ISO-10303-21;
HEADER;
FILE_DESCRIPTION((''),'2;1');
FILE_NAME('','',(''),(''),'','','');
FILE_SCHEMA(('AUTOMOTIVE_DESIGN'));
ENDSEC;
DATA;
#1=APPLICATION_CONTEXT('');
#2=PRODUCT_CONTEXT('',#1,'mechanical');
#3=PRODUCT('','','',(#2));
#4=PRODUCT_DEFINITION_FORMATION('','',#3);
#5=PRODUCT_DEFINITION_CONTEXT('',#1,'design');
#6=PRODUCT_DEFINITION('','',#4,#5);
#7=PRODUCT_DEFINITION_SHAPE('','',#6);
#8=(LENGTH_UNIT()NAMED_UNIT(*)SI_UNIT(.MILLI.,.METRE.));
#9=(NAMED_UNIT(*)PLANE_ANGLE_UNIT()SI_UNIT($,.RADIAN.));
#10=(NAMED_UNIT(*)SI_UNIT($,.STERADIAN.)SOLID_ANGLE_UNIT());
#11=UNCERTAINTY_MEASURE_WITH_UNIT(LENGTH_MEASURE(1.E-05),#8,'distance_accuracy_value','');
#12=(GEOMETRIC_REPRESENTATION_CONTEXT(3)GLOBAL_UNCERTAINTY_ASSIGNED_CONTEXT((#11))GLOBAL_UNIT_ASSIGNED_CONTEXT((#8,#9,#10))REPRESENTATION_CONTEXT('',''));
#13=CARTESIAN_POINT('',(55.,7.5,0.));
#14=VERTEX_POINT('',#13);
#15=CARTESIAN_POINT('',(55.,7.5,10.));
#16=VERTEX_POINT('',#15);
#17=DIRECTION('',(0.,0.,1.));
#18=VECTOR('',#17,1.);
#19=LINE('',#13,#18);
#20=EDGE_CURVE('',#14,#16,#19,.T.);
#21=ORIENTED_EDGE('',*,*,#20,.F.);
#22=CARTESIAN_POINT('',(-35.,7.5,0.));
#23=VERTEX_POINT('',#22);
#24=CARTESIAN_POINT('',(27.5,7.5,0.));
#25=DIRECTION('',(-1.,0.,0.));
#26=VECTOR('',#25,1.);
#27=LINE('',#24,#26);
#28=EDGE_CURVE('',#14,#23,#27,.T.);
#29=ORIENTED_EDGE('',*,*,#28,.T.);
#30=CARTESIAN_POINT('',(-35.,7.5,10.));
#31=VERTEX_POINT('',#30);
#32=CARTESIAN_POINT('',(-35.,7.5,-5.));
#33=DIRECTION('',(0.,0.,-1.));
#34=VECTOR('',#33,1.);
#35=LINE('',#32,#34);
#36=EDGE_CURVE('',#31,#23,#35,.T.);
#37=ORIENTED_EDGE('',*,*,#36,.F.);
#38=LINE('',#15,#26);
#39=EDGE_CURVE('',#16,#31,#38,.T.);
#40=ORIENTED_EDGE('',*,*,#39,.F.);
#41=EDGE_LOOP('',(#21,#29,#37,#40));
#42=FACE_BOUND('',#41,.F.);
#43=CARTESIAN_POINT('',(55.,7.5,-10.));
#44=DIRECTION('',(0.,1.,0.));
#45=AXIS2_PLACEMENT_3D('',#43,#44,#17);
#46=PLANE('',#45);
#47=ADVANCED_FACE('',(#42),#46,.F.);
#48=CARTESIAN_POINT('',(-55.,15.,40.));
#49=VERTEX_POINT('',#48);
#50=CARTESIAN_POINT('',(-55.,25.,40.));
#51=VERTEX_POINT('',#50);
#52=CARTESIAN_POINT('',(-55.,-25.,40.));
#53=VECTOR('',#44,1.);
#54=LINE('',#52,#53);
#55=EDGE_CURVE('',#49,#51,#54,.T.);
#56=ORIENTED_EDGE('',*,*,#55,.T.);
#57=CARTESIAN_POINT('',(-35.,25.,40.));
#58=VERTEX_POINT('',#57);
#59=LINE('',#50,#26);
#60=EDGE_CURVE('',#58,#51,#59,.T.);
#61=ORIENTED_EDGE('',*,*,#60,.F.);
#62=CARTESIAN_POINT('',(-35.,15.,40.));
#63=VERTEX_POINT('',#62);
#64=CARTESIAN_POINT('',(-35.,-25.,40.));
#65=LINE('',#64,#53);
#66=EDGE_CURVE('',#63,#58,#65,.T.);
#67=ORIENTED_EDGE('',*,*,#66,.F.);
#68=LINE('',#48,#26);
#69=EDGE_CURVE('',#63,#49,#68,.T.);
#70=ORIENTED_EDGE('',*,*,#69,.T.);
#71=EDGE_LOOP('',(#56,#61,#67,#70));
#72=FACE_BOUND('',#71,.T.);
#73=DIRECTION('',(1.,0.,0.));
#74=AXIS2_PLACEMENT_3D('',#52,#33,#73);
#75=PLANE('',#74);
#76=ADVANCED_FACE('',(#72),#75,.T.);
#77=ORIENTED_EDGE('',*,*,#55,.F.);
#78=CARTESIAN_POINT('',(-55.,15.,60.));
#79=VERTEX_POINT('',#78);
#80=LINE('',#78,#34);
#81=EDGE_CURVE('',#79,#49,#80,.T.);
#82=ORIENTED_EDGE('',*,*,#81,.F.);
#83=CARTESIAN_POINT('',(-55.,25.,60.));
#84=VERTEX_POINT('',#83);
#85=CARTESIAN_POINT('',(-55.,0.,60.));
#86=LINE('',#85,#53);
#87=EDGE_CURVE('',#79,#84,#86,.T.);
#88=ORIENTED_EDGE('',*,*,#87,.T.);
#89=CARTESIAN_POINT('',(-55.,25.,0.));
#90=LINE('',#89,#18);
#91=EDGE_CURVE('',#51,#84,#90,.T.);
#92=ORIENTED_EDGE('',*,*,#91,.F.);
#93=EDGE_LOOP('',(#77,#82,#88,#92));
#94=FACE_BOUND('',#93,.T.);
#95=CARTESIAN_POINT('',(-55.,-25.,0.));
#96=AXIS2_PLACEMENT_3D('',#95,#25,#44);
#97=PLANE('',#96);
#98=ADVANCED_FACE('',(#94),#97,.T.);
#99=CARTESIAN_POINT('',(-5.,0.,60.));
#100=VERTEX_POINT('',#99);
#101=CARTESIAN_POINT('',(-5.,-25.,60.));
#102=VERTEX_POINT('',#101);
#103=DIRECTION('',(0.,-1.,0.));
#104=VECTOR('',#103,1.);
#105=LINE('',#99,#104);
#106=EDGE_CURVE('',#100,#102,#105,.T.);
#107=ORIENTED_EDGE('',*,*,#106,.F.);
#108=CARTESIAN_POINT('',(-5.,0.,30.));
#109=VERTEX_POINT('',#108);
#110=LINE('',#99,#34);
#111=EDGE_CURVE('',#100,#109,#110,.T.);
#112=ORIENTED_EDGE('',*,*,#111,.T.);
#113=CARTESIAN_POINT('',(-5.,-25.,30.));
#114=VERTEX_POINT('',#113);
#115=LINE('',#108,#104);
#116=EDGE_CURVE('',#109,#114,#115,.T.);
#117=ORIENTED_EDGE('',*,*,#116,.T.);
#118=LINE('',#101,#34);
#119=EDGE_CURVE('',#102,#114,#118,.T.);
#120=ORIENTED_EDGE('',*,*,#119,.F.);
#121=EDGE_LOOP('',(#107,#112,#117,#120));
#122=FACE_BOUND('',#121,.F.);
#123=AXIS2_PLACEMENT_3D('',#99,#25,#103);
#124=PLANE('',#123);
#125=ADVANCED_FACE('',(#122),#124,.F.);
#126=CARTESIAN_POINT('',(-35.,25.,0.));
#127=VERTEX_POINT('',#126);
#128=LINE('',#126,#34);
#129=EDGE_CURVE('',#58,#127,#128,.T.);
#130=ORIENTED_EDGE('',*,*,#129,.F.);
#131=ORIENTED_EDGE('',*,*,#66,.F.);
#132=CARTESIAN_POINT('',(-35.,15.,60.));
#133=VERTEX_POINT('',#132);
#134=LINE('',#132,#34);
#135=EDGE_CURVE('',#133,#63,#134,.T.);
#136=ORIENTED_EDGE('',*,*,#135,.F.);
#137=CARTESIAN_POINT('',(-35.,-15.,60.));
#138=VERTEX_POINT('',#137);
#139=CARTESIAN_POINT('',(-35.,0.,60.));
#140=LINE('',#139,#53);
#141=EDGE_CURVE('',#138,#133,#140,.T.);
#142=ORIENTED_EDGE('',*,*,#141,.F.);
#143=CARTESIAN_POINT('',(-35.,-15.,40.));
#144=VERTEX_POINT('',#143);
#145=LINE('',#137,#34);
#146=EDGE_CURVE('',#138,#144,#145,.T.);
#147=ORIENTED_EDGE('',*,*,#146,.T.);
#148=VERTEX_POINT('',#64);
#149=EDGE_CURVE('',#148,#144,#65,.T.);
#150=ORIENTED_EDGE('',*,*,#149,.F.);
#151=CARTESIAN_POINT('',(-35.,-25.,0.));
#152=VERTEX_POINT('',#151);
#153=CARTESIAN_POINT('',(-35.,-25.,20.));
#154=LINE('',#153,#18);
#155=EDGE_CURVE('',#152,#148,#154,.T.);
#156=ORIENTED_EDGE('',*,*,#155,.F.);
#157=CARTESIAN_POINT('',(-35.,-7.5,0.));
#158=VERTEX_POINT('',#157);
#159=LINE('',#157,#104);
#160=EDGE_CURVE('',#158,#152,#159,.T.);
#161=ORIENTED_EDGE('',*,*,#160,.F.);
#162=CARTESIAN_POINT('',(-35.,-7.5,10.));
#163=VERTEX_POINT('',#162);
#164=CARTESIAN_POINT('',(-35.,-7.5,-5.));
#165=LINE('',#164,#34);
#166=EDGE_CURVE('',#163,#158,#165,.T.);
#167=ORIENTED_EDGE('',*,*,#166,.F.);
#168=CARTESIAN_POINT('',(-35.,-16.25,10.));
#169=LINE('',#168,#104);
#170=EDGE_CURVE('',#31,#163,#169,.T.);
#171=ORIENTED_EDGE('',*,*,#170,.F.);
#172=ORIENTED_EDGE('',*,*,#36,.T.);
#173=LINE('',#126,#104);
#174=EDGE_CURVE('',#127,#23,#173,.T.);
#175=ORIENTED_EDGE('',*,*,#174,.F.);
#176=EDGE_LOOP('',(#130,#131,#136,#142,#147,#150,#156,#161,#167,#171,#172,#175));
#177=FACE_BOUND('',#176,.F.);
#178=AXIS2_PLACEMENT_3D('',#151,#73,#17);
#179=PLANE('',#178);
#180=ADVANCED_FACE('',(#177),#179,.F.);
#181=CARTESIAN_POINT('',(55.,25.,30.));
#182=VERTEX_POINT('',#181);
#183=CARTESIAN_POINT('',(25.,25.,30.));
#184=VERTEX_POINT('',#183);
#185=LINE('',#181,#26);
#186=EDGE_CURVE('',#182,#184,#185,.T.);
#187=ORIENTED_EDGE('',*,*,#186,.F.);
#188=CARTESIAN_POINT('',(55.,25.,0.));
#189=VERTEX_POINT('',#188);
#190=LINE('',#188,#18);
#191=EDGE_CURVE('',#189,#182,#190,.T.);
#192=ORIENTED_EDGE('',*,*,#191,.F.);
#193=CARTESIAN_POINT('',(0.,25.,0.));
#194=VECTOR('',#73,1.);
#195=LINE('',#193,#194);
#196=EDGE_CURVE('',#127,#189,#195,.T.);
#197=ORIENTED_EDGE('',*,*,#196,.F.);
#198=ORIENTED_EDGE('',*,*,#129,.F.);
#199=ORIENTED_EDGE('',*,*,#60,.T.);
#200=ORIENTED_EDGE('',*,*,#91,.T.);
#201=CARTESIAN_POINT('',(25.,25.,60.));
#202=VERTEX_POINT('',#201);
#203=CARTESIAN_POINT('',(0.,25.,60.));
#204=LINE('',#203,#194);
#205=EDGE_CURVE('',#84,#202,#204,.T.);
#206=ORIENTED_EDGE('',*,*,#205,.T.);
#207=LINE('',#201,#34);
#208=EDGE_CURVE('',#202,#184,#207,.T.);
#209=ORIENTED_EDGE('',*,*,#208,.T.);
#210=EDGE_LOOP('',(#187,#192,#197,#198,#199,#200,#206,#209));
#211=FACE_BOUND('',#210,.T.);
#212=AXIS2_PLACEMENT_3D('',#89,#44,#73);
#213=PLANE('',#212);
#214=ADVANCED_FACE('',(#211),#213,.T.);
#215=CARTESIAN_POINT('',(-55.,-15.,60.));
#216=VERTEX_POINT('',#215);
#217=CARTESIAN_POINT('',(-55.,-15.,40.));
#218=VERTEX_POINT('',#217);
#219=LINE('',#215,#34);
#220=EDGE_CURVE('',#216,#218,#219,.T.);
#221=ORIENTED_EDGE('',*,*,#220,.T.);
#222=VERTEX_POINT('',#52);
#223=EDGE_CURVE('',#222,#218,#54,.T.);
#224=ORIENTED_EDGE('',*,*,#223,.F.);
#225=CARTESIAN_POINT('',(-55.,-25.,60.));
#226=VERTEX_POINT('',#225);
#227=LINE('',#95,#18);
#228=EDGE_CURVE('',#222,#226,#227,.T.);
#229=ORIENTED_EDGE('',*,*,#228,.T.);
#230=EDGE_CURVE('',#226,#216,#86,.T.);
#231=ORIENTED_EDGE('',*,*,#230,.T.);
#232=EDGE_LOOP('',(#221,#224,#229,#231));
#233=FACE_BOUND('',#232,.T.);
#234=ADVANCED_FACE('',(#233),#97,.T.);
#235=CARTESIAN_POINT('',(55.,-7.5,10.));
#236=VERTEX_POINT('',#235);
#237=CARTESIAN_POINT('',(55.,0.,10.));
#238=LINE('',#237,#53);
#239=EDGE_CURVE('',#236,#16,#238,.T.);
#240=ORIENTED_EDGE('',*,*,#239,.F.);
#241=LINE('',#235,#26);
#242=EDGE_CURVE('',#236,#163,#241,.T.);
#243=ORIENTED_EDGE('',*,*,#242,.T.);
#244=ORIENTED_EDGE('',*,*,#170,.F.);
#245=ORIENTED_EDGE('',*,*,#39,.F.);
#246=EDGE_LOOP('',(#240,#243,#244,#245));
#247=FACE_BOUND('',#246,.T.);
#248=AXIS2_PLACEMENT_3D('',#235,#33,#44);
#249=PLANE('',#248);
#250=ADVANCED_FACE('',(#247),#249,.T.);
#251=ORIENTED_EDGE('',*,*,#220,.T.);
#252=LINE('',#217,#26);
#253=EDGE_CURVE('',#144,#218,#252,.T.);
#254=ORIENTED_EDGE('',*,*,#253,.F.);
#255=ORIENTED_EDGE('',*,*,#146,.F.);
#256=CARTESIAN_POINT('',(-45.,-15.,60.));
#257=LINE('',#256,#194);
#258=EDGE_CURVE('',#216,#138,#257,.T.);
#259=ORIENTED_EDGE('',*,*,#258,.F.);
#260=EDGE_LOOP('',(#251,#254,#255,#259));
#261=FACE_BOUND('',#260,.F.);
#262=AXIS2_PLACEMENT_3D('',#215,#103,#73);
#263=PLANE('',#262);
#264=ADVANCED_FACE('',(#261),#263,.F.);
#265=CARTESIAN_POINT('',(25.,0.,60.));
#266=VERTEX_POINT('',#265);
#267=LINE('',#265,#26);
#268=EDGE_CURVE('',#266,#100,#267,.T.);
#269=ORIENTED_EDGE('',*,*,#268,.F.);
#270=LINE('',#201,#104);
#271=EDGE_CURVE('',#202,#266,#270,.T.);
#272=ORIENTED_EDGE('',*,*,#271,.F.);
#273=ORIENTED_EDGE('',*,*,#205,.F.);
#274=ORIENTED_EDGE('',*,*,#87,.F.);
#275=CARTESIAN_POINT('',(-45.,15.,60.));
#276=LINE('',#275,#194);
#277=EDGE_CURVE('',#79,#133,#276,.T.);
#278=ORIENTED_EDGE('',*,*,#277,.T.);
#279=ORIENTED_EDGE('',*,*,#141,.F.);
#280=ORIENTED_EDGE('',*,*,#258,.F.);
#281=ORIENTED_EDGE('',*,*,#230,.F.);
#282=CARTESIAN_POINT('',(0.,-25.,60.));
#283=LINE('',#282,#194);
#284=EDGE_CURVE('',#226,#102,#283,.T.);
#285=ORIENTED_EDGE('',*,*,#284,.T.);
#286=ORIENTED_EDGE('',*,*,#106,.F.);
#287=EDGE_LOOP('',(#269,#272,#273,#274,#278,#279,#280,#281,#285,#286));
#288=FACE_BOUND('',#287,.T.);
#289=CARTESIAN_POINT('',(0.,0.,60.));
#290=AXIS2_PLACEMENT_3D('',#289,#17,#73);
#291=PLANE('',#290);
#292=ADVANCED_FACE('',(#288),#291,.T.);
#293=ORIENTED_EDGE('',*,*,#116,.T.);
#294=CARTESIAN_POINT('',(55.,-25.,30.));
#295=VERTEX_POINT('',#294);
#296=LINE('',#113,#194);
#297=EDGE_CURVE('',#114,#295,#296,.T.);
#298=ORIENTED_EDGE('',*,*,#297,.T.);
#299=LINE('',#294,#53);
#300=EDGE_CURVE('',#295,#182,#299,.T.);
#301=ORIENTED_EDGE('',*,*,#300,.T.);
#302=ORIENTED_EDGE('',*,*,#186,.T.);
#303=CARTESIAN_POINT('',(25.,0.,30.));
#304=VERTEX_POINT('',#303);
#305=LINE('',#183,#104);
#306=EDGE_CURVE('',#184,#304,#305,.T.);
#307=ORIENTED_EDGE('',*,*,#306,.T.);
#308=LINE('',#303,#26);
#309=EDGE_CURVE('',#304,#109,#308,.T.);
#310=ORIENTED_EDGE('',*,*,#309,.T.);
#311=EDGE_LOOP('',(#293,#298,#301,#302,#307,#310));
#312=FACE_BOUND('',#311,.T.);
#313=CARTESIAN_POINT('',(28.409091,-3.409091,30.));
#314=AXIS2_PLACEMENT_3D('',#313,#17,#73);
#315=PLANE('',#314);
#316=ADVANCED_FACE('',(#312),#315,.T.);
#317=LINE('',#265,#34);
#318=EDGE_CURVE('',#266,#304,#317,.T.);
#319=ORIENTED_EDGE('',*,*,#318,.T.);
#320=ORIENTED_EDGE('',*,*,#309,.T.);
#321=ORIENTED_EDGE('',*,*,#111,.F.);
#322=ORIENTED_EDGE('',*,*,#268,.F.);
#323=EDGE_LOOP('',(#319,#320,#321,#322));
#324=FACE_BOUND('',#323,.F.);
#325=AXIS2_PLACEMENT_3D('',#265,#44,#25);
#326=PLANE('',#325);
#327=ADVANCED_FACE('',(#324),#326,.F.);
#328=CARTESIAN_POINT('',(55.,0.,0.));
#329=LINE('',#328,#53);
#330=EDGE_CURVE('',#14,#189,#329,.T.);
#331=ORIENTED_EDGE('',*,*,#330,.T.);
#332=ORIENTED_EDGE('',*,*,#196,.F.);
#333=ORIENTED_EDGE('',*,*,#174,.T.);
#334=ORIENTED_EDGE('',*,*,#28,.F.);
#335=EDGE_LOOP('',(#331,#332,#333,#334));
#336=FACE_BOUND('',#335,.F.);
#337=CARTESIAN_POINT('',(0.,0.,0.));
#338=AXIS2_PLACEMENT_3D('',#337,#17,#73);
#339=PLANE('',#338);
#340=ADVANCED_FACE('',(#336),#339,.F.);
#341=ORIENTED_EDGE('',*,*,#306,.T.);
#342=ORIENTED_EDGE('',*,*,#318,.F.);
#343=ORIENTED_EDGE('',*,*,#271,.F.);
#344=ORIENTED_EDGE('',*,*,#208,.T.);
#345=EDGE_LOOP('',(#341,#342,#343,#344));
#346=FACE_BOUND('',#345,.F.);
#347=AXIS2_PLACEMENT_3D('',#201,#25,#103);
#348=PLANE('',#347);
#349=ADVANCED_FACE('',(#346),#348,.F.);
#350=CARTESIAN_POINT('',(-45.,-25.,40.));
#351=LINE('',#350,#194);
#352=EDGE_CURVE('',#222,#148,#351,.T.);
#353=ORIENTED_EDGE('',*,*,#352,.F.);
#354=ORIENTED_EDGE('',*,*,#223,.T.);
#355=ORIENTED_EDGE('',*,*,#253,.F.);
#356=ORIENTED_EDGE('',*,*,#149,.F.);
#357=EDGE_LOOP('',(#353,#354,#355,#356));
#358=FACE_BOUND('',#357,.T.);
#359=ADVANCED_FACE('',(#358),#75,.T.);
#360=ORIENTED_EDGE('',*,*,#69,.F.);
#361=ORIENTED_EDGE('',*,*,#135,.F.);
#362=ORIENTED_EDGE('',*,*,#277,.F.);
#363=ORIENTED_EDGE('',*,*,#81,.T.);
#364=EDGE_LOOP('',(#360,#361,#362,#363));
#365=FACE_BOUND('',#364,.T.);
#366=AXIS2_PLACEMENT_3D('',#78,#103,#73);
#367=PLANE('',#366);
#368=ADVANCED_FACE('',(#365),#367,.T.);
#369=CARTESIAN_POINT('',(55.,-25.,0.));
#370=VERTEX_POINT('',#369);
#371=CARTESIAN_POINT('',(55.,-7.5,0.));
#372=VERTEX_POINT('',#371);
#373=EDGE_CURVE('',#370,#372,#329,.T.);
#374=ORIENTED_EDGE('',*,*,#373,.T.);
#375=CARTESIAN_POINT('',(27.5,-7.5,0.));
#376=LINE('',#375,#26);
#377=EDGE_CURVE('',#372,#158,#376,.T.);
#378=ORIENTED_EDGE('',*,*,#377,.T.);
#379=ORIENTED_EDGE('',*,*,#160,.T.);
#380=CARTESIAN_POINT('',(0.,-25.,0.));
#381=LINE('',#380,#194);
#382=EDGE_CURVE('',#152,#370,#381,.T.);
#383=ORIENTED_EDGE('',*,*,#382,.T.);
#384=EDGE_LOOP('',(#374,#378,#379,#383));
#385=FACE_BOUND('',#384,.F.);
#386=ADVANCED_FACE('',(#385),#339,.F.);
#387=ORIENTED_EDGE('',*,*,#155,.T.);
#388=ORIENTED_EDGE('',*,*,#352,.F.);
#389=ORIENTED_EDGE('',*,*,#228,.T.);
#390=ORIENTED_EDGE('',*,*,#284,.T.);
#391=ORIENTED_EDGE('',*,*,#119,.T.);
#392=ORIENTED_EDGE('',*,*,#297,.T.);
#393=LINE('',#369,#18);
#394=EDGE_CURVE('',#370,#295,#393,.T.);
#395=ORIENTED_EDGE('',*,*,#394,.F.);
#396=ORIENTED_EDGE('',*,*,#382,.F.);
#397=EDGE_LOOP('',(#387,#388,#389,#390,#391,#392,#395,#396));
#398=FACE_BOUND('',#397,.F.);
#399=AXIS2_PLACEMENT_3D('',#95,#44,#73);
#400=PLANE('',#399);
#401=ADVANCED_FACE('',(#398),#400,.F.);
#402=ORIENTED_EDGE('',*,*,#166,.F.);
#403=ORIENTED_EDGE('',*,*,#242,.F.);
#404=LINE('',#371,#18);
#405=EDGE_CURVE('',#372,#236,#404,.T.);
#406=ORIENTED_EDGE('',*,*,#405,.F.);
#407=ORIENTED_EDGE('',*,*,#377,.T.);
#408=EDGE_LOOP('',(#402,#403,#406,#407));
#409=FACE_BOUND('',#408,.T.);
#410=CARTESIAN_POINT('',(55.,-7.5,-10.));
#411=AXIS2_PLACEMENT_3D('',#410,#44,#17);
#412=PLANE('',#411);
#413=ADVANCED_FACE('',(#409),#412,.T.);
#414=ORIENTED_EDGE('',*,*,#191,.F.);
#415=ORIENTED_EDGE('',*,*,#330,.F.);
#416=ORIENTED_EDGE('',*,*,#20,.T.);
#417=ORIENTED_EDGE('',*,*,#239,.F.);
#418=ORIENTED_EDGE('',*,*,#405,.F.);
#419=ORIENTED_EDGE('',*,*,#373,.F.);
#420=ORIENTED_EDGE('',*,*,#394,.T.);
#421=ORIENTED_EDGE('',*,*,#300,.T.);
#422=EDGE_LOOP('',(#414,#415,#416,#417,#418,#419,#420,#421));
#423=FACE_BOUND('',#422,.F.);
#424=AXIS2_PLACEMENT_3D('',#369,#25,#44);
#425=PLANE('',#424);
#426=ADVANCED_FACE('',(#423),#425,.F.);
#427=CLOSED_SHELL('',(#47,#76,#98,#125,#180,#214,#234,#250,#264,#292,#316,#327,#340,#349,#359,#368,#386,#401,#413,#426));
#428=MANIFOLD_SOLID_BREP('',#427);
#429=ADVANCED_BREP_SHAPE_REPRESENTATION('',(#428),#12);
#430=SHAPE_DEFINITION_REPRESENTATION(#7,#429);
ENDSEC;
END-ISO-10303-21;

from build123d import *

# Parameters (mm, degrees)
F0_W     = 110
F0_H     = 50
F1_DEPTH = 60
F2_W     = 15
F2_H     = 20
F3_DEPTH = 110.001
F5_DEPTH = 30
F6_W     = 20
F6_H     = 40
F7_DEPTH = 50.001
F8_W     = 20
F8_H     = 30
F9_DEPTH = 60.001


with BuildPart() as f1:
    # F0 (on Top) → F1 (new body)
    with BuildSketch(Plane.XY):
        Rectangle(F0_W, F0_H)
    extrude(amount=F1_DEPTH)

    # F2 (on face) → F3 (cut, through all)
    with BuildSketch(Plane.YZ.offset(55)):
        Rectangle(F2_W, F2_H)
    extrude(amount=-F3_DEPTH, mode=Mode.SUBTRACT)

    # F4 (on face) → F5 (cut)
    with BuildSketch(Plane.XY.offset(60)):
        Polygon((55, 25), (25, 25), (25, 0), (-5, 0), (-5, -25), (55, -25), align=None)
    extrude(amount=-F5_DEPTH, mode=Mode.SUBTRACT)

    # F6 (on face) → F7 (cut, through all)
    with BuildSketch(Plane.XZ.offset(25)):
        with Locations((-45, 20)):
            Rectangle(F6_W, F6_H)
    extrude(amount=-F7_DEPTH, mode=Mode.SUBTRACT)

    # F8 (on face) → F9 (cut, through all)
    with BuildSketch(Plane.XY.offset(60)):
        with Locations((-45, 0)):
            Rectangle(F8_W, F8_H)
    extrude(amount=-F9_DEPTH, mode=Mode.SUBTRACT)


solid = f1.part
